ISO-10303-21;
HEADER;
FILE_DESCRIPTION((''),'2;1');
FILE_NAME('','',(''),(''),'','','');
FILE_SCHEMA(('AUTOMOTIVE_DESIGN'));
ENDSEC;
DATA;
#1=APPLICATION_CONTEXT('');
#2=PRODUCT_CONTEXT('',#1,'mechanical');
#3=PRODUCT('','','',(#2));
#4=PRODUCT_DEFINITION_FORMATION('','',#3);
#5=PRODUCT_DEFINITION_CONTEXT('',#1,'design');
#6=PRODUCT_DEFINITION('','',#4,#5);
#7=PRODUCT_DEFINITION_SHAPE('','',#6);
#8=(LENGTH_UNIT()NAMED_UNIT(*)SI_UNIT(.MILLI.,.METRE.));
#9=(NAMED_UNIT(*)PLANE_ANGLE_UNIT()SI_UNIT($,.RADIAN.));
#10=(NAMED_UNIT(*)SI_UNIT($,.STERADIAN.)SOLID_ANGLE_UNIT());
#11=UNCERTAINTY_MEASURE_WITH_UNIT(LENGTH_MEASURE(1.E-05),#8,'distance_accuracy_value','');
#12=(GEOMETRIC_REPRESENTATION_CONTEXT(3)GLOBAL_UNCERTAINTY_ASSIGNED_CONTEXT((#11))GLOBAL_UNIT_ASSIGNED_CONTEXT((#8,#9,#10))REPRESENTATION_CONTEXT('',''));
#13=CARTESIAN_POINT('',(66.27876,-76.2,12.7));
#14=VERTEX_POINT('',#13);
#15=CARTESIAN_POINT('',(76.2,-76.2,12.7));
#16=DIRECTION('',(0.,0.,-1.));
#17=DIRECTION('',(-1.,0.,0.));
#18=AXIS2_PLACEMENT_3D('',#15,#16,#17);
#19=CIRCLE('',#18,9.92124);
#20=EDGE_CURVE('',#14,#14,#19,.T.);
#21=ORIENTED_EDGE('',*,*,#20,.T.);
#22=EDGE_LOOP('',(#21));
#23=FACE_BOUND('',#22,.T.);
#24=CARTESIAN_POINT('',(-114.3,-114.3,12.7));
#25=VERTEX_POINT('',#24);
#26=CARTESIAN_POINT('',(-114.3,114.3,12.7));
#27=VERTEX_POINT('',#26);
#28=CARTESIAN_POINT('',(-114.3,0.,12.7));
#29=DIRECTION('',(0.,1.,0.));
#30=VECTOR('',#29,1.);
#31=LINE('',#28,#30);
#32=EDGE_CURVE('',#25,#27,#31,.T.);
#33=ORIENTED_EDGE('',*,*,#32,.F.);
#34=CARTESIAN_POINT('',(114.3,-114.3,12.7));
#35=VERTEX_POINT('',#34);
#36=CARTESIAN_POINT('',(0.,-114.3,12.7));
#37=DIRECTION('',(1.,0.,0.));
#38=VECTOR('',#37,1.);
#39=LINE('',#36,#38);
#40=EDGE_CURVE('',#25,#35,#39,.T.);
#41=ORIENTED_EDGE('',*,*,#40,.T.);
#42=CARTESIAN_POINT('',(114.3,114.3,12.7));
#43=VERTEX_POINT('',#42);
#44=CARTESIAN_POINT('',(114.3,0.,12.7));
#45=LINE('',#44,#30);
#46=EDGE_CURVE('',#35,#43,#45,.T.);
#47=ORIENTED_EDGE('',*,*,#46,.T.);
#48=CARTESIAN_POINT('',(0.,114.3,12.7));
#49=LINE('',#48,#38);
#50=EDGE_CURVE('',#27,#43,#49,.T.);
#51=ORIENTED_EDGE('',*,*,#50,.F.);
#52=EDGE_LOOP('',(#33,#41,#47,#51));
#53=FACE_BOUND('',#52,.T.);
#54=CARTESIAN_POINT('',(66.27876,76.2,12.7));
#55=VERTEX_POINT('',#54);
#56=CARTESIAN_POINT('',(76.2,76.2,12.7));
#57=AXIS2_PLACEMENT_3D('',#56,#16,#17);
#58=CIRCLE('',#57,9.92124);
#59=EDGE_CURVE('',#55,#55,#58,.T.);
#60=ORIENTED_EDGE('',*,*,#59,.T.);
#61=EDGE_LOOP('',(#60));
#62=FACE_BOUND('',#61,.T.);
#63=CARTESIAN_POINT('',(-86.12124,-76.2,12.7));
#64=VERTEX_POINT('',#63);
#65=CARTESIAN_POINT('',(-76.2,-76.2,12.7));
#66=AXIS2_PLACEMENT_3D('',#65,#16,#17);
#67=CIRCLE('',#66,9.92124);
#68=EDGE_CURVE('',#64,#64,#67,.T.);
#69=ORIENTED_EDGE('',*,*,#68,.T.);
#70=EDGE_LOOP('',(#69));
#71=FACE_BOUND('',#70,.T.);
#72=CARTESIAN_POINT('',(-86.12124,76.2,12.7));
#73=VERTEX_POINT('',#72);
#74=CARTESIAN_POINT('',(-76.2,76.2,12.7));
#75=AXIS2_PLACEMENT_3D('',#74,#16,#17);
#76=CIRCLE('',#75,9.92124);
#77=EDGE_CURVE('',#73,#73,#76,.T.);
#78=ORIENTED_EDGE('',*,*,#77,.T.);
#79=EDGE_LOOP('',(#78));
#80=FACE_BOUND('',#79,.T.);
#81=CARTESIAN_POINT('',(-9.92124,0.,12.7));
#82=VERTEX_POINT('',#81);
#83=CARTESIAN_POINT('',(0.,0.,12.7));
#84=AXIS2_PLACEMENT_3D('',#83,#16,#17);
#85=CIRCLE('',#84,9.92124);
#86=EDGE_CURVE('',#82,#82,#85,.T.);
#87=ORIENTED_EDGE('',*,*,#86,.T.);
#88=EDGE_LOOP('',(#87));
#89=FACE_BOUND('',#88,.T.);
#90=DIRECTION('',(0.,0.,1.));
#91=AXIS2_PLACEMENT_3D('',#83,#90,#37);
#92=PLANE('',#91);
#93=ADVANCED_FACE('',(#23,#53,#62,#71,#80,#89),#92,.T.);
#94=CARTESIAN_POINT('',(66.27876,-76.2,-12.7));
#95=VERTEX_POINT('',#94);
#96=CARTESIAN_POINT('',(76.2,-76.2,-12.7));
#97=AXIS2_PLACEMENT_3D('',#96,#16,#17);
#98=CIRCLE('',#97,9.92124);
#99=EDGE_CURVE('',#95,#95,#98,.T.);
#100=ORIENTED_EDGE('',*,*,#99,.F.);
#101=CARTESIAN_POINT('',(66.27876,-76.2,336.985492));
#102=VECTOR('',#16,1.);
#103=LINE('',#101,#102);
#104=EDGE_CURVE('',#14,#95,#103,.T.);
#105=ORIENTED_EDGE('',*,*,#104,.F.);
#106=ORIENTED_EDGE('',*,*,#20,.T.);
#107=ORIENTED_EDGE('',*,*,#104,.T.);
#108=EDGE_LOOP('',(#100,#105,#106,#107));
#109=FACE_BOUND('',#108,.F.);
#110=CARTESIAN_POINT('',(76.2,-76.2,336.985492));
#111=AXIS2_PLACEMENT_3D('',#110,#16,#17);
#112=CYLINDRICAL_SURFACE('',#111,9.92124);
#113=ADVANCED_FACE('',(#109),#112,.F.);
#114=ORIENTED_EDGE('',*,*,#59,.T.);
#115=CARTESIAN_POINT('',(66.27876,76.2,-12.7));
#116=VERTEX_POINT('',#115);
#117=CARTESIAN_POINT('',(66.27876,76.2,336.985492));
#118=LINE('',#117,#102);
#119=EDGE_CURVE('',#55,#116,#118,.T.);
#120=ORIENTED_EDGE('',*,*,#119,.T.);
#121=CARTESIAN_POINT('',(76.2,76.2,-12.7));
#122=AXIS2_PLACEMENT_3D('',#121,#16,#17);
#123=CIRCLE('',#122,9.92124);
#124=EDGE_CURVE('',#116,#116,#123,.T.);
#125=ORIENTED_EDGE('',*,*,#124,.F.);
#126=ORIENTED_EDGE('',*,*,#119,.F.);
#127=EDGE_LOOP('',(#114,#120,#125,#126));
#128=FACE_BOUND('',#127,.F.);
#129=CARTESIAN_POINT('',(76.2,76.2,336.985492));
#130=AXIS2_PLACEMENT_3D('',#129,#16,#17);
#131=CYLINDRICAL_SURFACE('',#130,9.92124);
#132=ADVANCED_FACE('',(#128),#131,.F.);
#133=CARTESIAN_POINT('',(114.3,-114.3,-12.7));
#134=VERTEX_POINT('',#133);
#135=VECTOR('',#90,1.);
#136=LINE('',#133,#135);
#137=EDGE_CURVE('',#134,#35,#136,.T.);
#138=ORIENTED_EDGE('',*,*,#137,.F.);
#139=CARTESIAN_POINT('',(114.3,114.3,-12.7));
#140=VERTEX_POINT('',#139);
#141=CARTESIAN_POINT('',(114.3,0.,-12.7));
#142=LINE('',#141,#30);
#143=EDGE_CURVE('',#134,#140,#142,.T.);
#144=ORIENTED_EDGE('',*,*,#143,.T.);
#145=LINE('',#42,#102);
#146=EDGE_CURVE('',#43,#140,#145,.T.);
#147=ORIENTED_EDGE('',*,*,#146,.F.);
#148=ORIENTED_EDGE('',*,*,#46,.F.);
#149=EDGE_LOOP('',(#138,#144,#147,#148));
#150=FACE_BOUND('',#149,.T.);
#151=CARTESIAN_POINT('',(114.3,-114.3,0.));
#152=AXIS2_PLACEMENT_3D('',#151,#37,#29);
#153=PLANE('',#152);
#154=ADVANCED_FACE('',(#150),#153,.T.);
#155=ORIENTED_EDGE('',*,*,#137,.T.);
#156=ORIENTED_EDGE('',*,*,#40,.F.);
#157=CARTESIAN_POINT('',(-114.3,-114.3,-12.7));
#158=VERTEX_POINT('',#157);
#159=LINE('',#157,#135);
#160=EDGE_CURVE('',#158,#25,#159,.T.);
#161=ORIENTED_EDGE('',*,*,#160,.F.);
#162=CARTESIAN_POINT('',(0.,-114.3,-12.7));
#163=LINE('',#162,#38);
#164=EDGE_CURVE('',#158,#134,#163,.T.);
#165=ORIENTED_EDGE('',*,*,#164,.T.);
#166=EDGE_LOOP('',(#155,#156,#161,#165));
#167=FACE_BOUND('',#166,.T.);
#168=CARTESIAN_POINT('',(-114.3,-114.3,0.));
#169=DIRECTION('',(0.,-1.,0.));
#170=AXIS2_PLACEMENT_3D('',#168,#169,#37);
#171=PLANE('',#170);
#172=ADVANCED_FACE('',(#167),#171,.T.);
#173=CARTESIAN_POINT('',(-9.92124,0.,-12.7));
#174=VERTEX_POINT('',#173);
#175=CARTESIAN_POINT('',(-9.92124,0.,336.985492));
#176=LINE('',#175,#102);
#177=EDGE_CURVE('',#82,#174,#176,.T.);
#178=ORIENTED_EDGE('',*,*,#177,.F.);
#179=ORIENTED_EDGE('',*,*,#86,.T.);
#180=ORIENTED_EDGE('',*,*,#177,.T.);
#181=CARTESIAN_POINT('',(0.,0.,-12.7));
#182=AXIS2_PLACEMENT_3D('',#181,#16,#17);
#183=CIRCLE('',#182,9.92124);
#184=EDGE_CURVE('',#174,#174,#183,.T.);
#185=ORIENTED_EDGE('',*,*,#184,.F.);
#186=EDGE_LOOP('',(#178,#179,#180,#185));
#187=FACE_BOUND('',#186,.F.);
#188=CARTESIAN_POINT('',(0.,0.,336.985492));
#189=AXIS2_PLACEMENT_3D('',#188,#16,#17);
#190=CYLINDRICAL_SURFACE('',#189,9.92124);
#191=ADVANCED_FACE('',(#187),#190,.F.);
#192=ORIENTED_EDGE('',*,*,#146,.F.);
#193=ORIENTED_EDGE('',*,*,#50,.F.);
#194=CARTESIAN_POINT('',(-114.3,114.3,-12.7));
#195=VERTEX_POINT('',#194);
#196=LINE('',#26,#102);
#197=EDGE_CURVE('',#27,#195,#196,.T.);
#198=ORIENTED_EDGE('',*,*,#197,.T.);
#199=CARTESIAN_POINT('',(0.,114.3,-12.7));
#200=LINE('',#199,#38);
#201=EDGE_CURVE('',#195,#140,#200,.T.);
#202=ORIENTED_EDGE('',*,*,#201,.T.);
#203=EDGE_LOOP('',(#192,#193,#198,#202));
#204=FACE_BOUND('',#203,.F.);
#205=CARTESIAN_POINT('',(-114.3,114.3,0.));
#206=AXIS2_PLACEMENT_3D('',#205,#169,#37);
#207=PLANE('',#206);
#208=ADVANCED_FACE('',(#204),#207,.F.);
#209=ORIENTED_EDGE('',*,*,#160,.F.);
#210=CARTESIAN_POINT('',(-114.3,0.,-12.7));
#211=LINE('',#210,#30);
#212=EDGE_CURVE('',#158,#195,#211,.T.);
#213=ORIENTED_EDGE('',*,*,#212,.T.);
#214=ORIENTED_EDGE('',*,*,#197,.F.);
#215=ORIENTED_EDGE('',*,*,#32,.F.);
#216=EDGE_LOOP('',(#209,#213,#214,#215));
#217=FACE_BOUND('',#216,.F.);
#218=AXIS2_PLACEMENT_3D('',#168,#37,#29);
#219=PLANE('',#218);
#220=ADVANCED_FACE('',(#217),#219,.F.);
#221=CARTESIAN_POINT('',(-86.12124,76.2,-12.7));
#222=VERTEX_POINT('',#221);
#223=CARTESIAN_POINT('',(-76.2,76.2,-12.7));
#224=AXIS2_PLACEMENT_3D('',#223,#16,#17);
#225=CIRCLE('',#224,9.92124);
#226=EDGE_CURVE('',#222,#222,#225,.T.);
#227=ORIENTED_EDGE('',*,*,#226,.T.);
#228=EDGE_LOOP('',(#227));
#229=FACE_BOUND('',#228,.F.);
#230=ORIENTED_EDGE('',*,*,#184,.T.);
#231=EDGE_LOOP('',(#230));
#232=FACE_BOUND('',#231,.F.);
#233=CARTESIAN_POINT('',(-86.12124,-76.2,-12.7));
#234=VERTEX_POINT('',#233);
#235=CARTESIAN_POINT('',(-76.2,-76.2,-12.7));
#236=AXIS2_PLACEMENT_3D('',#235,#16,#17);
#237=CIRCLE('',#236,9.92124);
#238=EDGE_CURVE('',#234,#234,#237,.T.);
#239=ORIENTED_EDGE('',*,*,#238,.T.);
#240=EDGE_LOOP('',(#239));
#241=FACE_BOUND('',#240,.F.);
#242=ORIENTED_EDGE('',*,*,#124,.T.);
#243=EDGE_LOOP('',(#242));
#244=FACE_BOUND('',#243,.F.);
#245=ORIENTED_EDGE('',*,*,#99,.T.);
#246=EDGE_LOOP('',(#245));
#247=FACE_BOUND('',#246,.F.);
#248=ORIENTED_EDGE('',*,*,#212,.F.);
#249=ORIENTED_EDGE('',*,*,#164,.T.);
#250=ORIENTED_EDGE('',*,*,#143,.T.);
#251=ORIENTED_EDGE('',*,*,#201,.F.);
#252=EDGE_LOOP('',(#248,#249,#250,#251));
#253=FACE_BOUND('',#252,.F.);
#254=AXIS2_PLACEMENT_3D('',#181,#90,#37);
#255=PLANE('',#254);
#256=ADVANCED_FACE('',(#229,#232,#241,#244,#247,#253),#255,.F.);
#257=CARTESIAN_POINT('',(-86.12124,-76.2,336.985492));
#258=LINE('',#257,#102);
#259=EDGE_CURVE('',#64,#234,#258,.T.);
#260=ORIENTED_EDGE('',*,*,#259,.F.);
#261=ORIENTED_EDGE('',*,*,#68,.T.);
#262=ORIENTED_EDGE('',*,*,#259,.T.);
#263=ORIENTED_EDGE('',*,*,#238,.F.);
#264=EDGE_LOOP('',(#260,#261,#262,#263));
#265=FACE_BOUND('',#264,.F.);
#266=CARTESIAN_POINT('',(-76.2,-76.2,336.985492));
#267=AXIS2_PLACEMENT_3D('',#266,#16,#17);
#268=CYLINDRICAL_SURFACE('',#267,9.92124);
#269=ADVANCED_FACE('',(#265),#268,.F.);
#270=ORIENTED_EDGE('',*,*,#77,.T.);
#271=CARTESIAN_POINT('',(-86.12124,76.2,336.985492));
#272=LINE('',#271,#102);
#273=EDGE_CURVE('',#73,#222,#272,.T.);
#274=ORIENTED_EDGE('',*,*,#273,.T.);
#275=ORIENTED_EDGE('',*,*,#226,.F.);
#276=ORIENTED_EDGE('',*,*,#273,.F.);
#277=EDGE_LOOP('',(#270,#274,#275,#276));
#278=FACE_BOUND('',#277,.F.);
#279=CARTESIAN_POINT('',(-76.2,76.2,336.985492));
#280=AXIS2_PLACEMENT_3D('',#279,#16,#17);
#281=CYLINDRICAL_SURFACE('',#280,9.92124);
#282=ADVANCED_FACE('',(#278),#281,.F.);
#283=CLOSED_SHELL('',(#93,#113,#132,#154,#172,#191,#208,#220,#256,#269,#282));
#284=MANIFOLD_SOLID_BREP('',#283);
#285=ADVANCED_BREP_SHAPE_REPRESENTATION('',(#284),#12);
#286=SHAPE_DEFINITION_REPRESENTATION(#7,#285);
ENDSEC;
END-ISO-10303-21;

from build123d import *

# Parameters (mm, degrees)
F0_W     = 228.6
F0_H     = 228.6
F1_DEPTH = 12.7
F3_D     = 19.84248
F4_D     = 19.84248


with BuildPart() as f1:
    # F0 (on Top) → F1 (new body, symmetric)
    with BuildSketch(Plane.XY):
        Rectangle(F0_W, F0_H)
    extrude(amount=F1_DEPTH, both=True)

    # F3 (through all)
    with Locations(Plane.XY.offset(12.7)):
        with Locations((-76.2, 76.2), (76.2, 76.2), (-76.2, -76.2), (76.2, -76.2)):
            Hole(F3_D / 2)

    # F4 (through all)
    with Locations(Plane.XY.offset(12.7)):
        with Locations((0, 0)):
            Hole(F4_D / 2)


solid = f1.part
